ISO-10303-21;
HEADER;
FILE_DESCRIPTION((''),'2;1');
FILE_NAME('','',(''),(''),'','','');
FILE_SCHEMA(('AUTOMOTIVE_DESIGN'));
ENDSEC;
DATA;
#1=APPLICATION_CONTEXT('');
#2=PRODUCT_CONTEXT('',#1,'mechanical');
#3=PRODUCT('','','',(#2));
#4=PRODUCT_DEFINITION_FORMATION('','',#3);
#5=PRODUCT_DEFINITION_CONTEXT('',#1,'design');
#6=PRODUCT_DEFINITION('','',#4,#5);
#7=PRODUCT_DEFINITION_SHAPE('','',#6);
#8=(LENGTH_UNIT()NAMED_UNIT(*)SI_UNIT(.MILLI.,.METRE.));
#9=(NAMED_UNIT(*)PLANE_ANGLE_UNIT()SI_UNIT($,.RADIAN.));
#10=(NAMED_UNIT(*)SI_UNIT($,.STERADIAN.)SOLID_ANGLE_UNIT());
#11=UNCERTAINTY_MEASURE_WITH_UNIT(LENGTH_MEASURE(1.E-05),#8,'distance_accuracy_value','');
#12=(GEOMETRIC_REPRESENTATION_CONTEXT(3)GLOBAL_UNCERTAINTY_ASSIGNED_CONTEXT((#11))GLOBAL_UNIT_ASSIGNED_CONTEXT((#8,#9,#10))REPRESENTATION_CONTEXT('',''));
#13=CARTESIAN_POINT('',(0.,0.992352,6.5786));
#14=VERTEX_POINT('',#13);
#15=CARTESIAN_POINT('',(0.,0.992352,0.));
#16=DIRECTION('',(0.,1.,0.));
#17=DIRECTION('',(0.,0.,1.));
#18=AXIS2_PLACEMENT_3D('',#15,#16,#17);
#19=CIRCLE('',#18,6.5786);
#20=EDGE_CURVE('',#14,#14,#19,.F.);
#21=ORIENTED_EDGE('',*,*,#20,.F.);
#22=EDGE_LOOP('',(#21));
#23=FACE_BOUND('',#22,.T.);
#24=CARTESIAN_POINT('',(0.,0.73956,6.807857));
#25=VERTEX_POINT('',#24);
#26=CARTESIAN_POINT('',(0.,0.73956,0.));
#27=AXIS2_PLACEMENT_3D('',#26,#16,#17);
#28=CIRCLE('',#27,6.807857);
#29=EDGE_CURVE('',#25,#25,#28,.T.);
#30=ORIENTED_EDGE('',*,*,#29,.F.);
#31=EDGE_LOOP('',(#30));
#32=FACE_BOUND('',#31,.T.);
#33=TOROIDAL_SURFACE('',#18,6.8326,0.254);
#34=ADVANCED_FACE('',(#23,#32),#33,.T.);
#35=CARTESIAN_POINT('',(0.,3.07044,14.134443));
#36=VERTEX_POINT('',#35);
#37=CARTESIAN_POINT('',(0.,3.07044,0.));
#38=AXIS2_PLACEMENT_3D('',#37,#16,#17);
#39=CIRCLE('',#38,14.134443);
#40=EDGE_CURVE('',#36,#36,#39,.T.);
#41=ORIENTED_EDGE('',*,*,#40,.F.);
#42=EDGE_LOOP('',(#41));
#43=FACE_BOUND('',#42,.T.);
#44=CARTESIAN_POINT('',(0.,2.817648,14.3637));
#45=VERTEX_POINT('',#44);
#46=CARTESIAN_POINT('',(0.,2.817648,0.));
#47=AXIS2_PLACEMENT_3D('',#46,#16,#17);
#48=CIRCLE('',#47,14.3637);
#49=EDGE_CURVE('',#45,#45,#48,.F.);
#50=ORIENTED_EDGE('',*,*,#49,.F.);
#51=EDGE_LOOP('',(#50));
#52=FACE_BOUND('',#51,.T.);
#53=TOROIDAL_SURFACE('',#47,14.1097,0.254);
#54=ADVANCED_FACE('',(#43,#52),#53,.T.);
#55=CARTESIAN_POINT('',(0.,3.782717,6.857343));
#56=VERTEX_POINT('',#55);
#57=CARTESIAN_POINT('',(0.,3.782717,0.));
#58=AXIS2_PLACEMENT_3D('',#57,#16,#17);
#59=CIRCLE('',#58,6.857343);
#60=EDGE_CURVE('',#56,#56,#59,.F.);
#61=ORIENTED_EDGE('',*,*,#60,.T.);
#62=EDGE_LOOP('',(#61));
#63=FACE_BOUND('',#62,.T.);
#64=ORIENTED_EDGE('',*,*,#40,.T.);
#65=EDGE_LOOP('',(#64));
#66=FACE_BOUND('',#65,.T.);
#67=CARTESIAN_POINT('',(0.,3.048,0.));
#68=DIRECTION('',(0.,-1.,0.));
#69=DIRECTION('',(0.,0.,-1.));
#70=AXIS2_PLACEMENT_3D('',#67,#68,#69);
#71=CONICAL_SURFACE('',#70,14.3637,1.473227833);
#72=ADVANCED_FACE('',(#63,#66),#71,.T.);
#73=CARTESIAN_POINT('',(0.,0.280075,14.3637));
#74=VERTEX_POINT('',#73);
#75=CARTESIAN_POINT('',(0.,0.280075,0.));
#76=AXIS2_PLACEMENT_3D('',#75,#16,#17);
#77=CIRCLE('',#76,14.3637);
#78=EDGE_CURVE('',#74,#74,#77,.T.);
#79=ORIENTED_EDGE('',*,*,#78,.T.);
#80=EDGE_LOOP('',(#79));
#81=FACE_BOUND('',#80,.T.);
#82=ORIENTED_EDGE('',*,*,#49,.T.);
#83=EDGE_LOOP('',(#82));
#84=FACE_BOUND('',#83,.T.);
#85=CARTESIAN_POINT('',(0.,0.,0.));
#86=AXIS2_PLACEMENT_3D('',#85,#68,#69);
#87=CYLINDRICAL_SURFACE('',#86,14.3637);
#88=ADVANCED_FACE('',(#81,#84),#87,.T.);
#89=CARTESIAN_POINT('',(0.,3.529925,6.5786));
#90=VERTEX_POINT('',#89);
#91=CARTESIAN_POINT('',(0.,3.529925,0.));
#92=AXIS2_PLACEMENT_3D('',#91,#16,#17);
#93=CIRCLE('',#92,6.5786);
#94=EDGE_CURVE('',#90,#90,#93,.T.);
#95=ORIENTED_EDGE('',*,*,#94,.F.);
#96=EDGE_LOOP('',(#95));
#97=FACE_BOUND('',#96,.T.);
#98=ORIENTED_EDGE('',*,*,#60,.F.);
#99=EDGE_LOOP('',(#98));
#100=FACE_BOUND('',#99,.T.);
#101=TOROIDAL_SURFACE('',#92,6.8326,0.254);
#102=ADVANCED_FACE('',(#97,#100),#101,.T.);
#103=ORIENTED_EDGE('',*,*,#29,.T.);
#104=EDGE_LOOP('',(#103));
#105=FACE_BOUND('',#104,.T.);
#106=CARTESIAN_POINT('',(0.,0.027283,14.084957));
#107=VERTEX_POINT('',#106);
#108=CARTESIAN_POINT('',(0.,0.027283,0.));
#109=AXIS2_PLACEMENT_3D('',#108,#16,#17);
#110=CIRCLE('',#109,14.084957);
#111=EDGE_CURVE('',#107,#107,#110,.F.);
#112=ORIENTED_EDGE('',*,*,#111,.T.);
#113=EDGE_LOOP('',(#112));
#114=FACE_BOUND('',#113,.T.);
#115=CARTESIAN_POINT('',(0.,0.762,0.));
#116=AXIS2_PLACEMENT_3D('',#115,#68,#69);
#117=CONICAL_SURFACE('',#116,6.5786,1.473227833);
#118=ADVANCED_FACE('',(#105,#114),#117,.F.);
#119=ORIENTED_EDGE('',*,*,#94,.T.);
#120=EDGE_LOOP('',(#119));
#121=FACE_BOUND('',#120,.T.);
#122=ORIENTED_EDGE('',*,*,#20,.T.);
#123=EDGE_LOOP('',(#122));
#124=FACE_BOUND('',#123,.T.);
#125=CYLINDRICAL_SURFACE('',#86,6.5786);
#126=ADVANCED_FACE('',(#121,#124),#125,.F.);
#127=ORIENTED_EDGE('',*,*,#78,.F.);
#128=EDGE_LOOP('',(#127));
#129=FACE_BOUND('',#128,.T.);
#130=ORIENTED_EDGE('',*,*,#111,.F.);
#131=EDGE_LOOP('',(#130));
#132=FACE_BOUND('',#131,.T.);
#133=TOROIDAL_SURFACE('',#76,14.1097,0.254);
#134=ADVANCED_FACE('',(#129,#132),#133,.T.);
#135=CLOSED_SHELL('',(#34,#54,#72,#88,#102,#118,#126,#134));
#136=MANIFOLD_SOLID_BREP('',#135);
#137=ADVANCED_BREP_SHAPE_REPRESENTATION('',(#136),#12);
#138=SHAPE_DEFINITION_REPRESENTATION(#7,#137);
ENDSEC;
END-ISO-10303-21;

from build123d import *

# Parameters (mm, degrees)
FILLET1_R = 0.254


with BuildPart() as part:
    # Sketch2 → Revolve1 (revolve)
    with BuildSketch(Plane(origin=(0, 0, 0), x_dir=(0, 0, -1), z_dir=(1, 0, 0))):
        Polygon((6.5786, 3.81), (6.5786, 0.762), (14.3637, 0), (14.3637, 3.048), align=None)
    revolve(axis=Axis((0, 0, 0), (0, 1, 0)))

    # Fillet1
    fillet1_edges = [part.edges().sort_by_distance(p)[0] for p in [
        (0, 3.048, 14.3637),
        (0, 0, 14.3637),
        (0, 0.762, 6.5786),
        (0, 3.81, 6.5786),
    ]]
    fillet(fillet1_edges, radius=FILLET1_R)


solid = part.part
